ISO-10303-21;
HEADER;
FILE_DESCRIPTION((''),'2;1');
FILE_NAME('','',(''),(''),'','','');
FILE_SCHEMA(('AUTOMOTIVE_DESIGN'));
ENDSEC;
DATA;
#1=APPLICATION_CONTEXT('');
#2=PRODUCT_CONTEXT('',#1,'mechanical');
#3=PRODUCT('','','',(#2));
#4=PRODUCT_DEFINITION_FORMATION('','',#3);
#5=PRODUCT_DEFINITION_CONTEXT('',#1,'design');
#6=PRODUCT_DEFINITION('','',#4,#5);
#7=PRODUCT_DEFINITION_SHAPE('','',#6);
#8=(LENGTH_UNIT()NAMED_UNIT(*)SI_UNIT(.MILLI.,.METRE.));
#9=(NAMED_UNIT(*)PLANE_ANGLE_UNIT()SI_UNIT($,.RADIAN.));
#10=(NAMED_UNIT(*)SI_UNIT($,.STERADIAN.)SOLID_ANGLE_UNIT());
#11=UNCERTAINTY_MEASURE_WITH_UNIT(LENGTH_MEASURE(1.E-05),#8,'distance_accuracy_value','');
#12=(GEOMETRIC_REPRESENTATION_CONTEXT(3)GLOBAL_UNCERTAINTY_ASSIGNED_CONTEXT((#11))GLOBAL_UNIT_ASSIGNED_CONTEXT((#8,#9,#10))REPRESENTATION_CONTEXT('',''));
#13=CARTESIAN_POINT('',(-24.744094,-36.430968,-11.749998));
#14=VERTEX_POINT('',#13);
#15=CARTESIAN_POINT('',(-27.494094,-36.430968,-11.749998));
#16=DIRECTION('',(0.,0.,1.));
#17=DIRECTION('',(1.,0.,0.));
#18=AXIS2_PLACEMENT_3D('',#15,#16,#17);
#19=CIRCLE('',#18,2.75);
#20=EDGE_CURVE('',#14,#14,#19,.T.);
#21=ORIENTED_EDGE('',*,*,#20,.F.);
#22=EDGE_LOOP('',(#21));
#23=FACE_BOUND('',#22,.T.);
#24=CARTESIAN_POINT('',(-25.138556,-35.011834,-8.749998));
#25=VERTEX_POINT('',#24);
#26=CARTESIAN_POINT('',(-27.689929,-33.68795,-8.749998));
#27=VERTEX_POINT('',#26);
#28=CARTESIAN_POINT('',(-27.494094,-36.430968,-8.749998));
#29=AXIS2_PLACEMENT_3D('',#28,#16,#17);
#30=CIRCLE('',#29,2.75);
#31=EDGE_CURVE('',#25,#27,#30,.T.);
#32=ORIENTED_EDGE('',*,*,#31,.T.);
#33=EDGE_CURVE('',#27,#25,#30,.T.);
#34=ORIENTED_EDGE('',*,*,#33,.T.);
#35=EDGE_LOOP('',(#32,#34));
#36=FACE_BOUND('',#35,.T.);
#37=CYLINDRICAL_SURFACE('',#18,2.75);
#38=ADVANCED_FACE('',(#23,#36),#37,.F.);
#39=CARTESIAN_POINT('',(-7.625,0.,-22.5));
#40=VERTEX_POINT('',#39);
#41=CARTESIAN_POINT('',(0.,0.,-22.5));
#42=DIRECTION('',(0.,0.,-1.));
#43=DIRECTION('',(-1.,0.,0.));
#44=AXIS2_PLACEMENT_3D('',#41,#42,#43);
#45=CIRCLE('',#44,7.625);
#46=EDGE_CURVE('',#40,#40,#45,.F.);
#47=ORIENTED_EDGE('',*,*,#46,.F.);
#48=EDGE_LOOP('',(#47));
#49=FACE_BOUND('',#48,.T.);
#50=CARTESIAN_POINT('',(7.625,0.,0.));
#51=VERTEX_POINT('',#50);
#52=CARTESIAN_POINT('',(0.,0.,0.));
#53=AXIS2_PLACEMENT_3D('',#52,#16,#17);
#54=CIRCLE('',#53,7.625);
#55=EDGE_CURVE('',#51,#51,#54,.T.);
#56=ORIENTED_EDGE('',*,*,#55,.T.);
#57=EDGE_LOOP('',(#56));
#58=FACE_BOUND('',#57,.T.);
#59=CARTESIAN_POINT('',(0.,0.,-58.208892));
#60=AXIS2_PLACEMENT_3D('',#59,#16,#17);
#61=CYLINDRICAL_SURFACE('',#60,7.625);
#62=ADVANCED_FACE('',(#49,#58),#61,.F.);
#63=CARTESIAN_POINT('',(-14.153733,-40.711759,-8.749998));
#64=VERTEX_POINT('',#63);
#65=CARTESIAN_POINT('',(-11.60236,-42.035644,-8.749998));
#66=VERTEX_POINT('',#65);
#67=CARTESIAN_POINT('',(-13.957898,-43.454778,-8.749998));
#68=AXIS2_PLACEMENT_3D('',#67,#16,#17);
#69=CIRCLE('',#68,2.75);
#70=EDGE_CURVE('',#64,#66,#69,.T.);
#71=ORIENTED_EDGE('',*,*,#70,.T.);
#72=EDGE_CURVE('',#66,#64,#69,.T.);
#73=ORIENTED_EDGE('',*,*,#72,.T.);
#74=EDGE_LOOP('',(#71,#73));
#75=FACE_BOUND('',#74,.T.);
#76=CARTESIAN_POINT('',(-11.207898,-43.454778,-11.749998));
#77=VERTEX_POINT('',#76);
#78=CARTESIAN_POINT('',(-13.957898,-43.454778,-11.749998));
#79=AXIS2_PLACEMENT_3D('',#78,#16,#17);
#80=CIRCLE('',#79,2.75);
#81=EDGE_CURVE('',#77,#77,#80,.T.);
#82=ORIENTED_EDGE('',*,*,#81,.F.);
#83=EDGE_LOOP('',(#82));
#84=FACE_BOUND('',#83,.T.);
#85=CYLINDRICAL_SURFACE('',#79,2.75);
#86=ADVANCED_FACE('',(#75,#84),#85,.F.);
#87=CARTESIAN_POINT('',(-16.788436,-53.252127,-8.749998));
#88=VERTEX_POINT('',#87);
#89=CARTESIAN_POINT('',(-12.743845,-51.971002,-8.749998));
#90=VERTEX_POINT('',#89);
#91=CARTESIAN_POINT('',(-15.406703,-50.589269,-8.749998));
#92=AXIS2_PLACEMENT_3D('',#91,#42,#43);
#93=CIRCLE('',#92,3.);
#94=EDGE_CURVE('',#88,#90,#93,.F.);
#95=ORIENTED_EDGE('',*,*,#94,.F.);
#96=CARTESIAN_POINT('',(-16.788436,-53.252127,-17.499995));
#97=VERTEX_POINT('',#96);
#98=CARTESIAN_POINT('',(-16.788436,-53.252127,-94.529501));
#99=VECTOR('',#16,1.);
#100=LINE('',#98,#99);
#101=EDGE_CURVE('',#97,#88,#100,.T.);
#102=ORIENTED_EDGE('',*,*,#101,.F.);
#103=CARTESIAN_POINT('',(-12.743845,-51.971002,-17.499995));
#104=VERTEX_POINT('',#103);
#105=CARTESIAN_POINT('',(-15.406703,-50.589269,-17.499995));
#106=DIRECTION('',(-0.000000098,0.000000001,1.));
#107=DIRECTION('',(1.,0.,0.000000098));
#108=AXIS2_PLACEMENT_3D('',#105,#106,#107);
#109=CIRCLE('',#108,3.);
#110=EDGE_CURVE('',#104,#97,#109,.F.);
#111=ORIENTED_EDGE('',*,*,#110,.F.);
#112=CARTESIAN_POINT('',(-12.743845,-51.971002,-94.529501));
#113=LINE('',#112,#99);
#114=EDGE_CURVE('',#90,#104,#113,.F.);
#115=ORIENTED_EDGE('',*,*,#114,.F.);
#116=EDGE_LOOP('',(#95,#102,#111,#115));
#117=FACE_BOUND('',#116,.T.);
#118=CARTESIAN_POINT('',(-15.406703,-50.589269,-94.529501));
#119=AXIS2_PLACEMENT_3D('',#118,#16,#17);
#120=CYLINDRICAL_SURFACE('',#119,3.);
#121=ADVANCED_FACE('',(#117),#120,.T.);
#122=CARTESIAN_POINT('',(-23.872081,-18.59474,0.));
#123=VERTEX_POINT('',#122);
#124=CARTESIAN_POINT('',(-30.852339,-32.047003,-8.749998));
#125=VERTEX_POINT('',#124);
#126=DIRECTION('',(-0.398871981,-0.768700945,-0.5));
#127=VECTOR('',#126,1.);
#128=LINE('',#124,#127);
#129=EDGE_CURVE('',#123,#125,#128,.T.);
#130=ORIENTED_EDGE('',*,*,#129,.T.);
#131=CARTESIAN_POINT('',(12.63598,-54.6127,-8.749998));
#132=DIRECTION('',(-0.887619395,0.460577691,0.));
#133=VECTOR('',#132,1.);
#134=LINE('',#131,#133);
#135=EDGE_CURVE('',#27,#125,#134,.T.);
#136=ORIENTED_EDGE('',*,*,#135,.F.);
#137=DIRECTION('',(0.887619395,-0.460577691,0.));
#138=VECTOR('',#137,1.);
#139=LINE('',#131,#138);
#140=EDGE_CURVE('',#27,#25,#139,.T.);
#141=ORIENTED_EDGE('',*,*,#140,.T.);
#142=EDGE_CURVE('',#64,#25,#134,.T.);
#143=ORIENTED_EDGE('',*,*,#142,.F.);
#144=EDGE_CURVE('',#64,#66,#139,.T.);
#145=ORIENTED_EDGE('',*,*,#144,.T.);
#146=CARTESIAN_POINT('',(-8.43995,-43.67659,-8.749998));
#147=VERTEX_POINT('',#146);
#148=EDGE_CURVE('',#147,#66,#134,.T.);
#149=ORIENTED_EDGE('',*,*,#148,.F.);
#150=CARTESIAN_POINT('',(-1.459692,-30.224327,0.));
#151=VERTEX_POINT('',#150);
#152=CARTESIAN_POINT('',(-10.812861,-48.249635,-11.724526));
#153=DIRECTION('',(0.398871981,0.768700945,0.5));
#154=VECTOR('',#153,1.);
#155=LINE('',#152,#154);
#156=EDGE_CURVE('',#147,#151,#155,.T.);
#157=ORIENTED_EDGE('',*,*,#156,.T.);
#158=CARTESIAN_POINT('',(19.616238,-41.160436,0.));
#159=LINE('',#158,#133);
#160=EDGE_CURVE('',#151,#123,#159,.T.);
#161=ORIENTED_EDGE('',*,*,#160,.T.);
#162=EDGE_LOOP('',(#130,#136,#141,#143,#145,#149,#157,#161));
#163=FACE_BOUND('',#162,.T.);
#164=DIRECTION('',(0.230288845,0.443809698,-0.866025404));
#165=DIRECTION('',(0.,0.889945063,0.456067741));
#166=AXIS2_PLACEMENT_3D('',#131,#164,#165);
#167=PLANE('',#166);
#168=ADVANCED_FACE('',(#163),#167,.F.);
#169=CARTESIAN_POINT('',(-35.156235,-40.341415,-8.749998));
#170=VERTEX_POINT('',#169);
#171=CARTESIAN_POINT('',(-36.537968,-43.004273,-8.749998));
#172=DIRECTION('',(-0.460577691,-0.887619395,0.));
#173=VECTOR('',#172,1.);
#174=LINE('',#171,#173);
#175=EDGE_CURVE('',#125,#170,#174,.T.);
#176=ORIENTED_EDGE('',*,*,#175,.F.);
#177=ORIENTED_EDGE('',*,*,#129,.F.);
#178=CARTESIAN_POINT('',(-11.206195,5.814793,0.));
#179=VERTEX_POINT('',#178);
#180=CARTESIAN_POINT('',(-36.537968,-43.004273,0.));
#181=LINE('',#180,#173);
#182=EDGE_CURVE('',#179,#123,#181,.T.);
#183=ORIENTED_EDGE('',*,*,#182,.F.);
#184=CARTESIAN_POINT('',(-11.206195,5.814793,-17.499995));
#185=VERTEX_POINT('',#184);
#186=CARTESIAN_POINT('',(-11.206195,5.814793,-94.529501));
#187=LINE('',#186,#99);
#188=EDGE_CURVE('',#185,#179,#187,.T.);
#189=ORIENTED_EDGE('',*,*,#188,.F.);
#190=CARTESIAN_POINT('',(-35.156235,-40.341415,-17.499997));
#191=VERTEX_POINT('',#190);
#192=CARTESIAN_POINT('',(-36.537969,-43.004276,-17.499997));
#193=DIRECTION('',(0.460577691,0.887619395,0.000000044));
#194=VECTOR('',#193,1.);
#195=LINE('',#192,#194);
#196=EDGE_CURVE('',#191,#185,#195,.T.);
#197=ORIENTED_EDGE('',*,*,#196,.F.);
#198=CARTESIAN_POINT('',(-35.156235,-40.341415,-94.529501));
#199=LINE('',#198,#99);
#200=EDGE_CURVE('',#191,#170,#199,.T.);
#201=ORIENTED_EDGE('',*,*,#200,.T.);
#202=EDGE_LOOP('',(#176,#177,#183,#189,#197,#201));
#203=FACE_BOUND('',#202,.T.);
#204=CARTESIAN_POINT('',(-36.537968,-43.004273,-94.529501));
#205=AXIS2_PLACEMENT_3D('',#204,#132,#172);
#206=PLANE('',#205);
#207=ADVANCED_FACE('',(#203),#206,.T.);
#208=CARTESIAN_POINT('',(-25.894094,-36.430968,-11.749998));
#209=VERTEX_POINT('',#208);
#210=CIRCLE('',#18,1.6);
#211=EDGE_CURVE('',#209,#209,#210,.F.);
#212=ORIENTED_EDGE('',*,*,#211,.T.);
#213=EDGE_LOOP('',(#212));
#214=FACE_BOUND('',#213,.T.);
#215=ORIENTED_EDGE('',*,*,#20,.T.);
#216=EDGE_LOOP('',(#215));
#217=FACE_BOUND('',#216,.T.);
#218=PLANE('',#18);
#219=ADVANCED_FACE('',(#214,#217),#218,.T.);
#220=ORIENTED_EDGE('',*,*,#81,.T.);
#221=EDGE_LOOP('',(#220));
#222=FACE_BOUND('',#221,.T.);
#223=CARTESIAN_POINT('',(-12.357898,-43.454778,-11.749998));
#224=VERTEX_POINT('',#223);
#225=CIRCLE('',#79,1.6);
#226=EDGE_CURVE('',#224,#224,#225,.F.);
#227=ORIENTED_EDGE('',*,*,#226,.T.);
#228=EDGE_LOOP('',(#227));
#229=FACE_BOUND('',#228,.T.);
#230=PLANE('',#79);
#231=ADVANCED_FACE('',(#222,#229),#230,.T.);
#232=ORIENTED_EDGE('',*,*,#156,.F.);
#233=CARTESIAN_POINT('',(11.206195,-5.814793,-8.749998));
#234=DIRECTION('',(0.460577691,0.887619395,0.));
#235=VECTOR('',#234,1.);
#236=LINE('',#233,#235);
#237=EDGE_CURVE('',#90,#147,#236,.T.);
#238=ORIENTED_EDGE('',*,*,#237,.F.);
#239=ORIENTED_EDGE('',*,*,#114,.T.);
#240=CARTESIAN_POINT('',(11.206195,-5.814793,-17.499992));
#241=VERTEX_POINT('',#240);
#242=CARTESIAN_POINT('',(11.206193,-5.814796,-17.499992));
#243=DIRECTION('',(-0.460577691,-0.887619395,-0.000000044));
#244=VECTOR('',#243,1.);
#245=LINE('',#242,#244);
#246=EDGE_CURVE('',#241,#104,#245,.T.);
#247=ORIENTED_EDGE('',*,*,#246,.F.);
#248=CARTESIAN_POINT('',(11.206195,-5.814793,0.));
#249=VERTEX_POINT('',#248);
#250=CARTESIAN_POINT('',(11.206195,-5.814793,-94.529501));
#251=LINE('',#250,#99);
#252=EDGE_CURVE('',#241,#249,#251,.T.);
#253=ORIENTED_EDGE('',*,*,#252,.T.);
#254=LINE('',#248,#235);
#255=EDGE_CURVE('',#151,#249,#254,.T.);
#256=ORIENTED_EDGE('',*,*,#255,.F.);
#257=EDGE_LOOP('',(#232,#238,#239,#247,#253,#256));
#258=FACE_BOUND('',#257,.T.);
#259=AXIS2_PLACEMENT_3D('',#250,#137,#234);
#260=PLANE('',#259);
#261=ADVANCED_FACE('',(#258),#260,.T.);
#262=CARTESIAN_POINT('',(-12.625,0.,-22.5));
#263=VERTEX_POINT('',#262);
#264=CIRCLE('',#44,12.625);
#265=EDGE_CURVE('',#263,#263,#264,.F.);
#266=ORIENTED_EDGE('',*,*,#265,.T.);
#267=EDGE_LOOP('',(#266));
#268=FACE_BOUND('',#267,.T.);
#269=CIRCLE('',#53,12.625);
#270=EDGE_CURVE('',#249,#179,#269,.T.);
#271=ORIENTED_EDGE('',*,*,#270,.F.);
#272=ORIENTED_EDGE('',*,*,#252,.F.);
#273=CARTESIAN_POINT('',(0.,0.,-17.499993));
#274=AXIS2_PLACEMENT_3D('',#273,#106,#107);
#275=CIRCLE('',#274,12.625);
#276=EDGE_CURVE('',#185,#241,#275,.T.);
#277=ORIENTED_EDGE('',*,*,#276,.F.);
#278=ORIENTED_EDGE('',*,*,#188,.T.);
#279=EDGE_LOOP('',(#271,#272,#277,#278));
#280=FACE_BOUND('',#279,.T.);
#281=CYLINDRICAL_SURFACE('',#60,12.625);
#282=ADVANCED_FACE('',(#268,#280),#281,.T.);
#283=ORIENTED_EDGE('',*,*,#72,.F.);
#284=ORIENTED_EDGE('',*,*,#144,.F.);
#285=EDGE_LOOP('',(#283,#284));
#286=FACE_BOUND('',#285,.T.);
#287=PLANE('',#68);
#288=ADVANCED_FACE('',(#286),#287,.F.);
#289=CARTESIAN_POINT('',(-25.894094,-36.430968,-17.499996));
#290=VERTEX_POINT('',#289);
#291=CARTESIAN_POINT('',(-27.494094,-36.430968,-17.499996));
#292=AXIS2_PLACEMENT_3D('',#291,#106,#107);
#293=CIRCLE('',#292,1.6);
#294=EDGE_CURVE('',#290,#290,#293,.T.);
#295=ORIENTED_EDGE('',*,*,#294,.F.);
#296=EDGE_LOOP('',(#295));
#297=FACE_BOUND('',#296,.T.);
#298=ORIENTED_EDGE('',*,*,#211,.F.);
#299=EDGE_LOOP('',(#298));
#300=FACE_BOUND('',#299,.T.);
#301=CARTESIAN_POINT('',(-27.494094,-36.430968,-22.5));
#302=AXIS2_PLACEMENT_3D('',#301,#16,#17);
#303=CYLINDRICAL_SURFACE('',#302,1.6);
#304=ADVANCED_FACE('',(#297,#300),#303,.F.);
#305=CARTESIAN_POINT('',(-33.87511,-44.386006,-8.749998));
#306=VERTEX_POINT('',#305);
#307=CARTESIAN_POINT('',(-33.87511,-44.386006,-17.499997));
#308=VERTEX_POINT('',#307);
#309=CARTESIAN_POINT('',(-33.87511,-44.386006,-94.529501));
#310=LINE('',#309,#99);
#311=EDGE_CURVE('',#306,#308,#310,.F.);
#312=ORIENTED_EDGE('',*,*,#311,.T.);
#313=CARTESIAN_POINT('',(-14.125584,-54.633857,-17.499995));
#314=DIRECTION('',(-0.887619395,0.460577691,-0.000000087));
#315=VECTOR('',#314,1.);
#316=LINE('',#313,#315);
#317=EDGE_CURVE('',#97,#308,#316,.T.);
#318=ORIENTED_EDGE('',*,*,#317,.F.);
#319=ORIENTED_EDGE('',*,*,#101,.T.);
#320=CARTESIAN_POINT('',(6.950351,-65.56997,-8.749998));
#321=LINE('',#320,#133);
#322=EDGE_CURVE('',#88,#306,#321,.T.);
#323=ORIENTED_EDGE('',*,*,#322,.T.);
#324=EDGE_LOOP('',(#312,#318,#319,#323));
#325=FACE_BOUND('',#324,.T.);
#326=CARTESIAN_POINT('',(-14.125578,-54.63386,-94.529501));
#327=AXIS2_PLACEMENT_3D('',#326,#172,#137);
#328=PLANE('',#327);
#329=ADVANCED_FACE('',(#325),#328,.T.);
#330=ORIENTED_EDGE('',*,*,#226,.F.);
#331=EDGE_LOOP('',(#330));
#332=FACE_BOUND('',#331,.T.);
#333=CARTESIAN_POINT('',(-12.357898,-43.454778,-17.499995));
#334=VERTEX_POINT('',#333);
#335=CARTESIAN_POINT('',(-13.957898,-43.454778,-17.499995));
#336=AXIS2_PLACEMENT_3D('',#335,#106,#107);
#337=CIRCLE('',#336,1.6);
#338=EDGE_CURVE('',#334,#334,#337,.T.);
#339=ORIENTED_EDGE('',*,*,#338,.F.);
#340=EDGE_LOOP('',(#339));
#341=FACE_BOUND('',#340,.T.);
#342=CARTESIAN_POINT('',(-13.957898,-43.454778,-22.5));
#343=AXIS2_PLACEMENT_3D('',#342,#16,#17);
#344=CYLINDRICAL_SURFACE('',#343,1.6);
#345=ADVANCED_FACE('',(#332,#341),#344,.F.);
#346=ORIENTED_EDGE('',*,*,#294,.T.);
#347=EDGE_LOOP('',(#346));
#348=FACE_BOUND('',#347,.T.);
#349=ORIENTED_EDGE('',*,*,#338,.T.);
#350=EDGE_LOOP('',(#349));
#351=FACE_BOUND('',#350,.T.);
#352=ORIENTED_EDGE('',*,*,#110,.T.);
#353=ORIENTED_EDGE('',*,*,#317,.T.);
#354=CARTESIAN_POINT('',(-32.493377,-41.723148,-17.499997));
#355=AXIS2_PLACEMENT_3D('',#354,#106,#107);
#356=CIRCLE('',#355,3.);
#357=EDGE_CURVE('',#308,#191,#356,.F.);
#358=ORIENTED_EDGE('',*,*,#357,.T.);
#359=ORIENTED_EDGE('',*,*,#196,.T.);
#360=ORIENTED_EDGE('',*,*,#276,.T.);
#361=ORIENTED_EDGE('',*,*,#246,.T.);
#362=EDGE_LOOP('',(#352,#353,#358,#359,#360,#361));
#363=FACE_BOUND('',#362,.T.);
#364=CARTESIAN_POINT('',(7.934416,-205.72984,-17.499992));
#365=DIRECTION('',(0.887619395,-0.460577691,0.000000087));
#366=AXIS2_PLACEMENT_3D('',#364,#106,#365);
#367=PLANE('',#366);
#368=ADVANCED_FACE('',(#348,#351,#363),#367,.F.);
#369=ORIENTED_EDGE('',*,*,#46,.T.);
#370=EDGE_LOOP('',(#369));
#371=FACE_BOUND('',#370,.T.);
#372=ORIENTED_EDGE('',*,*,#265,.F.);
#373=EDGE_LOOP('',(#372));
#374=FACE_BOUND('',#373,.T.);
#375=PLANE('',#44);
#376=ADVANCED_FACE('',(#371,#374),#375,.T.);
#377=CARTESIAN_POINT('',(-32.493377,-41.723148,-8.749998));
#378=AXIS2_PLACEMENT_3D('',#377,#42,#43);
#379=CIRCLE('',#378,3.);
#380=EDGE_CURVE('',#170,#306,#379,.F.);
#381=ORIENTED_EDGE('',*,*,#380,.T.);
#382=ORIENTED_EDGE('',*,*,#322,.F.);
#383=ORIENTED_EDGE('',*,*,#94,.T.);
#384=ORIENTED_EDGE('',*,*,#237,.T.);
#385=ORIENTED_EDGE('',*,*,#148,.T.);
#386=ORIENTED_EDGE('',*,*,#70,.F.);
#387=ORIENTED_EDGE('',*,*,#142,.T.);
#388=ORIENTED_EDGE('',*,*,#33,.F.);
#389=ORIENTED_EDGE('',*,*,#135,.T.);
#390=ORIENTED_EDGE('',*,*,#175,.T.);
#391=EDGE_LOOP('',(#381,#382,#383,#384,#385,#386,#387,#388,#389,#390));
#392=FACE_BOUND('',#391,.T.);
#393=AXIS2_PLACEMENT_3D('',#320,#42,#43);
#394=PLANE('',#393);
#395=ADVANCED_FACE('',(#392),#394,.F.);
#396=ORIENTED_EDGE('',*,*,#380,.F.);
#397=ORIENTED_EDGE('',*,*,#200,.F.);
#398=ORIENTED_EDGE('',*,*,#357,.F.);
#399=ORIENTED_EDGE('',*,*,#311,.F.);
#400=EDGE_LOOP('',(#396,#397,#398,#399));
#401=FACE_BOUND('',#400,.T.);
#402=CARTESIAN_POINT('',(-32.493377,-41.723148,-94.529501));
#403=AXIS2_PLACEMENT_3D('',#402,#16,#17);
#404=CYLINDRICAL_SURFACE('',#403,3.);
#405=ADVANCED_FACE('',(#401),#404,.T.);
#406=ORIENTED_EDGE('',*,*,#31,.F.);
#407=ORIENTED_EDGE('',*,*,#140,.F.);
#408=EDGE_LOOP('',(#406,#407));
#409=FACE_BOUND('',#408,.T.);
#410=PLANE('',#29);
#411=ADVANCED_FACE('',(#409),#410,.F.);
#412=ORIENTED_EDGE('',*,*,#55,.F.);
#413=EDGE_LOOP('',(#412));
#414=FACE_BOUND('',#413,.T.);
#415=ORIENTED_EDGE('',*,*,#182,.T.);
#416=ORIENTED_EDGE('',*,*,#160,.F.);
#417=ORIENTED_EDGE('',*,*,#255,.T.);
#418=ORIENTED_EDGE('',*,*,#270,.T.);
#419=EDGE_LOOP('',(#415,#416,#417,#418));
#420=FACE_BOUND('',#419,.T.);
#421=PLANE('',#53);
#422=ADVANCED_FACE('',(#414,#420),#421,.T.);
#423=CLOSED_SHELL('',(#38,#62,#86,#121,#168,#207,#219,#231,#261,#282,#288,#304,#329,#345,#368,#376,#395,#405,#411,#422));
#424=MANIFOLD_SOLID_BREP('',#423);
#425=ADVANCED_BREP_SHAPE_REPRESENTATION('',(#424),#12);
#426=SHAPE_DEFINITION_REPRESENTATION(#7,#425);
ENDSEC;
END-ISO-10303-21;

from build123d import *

# Parameters (mm, degrees)
SKETCH_1_R          = 12.625
SKETCH_1_R_2        = 7.625
EXTRUDE_1_DEPTH     = 22.5
EXTRUDE_2_DEPTH     = 17.499994584
CUT_EXTRUDE_1_DEPTH = 70.296381035
FILLET_1_R          = 3
SKETCH_4_R          = 1.6
CUT_EXTRUDE_5_DEPTH = 66.731667206
SKETCH_5_R          = 2.75
CUT_EXTRUDE_6_DEPTH = 3


with BuildPart() as part:
    # 草图1 → 凸台-拉伸1 (new body)
    with BuildSketch(Plane.XY):
        Circle(SKETCH_1_R)
        Circle(SKETCH_1_R_2, mode=Mode.SUBTRACT)
    extrude(amount=-EXTRUDE_1_DEPTH)

    # 草图2 → 凸台-拉伸2 (add)
    with BuildSketch(Plane.XY):
        with BuildLine():
            Line((11.206194864, -5.814793347), (-14.125578135, -54.633860081))
            Line((-14.125578135, -54.633860081), (-36.537967862, -43.004273386))
            Line((-36.537967862, -43.004273386), (-11.206194864, 5.814793347))
            ThreePointArc((-11.206194864, 5.814793347), (-5.814793347, -11.206194864), (11.206194864, -5.814793347))
        make_face()
    extrude(amount=-EXTRUDE_2_DEPTH)

    # 草图3 → 切除-拉伸1 (cut, through all)
    with BuildSketch(Plane(origin=(-11.206194864, 5.814793347, 0), x_dir=(0, 0, 1), z_dir=(-0.8876193951581107, 0.46057769088303635, 0))):
        Polygon((-8.749997893, -55), (-8.749997893, -42.655440917), (0, -27.5), (0, -55), align=None)
    extrude(amount=-CUT_EXTRUDE_1_DEPTH, mode=Mode.SUBTRACT)

    # 圆角1
    fillet_1_edges = [part.edges().sort_by_distance(p)[0] for p in [
        (-14.125578135, -54.633860081, -13.124996239),
        (-36.537967862, -43.004273386, -13.124996239),
    ]]
    fillet(fillet_1_edges, radius=FILLET_1_R)

    # 草图4 → 切除-拉伸5 (cut, through all)
    with BuildSketch(Plane.XY.offset(-8.749997893)):
        with Locations((-13.957898202, -43.454777675)):
            Circle(SKETCH_4_R)
        with Locations((-27.494093978, -36.430967889)):
            Circle(SKETCH_4_R)
    extrude(amount=-CUT_EXTRUDE_5_DEPTH, mode=Mode.SUBTRACT)

    # 草图5 → 切除-拉伸6 (cut)
    with BuildSketch(Plane.XY.offset(-8.749997893)):
        with Locations((-13.957898202, -43.454777675)):
            Circle(SKETCH_5_R)
        with Locations((-27.494093978, -36.430967889)):
            Circle(SKETCH_5_R)
    extrude(amount=-CUT_EXTRUDE_6_DEPTH, mode=Mode.SUBTRACT)


solid = part.part
